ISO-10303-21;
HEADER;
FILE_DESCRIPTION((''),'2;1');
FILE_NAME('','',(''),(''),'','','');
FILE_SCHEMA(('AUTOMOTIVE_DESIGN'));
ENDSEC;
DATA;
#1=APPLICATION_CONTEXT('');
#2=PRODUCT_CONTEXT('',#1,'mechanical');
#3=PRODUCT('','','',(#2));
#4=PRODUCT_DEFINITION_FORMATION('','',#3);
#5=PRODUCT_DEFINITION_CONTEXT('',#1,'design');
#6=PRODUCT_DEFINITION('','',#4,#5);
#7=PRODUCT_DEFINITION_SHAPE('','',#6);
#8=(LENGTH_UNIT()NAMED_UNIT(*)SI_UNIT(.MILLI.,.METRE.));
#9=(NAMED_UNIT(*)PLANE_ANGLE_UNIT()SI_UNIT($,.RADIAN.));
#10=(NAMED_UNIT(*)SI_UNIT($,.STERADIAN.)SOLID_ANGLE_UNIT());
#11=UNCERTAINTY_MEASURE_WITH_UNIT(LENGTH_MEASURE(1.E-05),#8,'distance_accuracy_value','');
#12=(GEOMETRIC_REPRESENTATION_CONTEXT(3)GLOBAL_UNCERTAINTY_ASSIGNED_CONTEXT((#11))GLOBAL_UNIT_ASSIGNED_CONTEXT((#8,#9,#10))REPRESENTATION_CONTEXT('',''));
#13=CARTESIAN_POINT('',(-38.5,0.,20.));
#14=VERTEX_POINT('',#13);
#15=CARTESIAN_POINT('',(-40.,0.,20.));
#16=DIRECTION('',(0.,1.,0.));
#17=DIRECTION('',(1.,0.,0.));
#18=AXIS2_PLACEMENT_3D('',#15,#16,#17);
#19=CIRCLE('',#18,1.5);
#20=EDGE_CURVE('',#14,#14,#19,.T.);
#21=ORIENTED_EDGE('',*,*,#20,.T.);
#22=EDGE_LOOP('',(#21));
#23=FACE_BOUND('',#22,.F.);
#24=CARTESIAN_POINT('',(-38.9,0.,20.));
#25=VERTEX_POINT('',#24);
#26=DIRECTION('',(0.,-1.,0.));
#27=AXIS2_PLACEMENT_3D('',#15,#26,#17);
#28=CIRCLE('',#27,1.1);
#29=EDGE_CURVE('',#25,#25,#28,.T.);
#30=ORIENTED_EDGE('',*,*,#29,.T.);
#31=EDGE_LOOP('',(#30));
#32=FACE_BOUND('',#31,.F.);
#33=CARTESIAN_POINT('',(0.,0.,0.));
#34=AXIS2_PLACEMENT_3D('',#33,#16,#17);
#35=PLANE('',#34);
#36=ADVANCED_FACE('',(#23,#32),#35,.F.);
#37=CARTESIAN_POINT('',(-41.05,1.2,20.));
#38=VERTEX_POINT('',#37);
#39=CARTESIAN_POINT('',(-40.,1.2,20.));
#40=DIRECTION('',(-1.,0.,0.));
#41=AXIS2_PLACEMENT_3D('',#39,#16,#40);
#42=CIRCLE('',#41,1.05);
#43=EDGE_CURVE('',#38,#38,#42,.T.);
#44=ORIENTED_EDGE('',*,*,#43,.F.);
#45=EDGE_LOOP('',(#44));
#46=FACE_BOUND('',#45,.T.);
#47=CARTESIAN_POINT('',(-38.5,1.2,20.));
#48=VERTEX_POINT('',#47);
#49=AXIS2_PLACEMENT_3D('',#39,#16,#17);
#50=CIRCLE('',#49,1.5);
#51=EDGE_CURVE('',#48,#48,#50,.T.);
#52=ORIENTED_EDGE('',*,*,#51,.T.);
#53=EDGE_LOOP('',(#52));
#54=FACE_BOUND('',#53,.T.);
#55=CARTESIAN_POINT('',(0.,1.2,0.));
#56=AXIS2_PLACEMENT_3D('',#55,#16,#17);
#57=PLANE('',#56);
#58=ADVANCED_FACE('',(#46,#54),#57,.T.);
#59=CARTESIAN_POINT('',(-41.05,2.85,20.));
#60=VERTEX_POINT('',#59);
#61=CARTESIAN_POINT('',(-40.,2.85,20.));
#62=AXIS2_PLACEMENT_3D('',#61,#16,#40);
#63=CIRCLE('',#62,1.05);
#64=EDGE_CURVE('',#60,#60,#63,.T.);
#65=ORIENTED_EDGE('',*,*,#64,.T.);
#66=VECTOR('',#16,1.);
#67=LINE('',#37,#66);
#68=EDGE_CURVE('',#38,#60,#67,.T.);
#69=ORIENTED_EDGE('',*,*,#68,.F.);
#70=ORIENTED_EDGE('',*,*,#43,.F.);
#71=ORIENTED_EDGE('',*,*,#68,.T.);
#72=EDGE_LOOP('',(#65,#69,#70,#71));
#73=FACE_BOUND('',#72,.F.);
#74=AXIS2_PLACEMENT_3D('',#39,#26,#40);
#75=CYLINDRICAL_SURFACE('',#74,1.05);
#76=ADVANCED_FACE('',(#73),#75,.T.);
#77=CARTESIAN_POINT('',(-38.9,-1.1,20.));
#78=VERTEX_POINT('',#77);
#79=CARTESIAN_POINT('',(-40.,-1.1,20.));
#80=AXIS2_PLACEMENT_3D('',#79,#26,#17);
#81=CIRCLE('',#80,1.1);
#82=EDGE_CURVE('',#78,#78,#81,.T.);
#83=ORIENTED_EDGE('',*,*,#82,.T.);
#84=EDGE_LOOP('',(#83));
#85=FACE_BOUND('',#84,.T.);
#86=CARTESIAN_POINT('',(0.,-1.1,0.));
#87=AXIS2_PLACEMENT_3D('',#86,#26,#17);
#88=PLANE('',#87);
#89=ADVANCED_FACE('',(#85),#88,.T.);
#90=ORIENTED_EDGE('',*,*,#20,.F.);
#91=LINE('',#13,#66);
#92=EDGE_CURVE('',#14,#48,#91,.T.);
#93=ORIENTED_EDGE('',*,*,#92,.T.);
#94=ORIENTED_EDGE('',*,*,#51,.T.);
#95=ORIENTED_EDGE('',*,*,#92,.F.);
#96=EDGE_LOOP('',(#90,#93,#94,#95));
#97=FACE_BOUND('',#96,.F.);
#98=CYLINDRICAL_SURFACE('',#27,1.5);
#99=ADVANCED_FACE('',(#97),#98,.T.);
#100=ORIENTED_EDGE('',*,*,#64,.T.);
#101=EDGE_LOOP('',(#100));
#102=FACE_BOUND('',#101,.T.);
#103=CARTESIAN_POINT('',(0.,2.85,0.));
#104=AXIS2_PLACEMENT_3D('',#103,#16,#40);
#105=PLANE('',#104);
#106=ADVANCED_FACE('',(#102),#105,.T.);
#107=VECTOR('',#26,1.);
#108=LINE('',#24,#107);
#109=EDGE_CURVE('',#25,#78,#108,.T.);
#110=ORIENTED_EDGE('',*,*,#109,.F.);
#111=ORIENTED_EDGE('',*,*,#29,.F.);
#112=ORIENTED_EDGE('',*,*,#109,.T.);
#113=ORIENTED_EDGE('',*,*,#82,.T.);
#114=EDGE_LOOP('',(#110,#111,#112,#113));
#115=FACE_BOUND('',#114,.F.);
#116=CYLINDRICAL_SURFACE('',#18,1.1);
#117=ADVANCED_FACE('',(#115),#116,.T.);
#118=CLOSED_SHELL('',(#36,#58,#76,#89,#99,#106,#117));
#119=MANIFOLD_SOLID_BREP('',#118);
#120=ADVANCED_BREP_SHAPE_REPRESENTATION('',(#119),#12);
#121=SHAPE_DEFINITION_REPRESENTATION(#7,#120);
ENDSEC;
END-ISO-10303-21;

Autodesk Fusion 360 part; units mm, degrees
sketch "Sketch1" plane through (0, 0, 0) normal (0, 1, 0) x (1, 0, 0)
  circle A0 centre (-40, -20) radius 1.5
  dimension "d1" = 3
extrude "Extrude1" add sketch "Sketch1" along normal blind 1.2
sketch "Sketch2" plane through (0, 0, 0) normal (0, -1, 0) x (1, 0, 0)
  circle A0 centre (-40, 20) radius 1.5
  circle A1 centre (-40, 20) radius 1.1
  dimension "d4" = 2.2
extrude "Extrude2" add sketch "Sketch2" along normal blind 1.1 contours A1
sketch "Sketch3" plane through (0, 1.2, 0) normal (0, 1, 0) x (-1, 0, 0)
  circle A0 centre (40, 20) radius 1.5
  circle A1 centre (40, 20) radius 1.05
  dimension "d7" = 2.1
extrude "Extrude3" add sketch "Sketch3" along normal blind 1.65 contours A1
